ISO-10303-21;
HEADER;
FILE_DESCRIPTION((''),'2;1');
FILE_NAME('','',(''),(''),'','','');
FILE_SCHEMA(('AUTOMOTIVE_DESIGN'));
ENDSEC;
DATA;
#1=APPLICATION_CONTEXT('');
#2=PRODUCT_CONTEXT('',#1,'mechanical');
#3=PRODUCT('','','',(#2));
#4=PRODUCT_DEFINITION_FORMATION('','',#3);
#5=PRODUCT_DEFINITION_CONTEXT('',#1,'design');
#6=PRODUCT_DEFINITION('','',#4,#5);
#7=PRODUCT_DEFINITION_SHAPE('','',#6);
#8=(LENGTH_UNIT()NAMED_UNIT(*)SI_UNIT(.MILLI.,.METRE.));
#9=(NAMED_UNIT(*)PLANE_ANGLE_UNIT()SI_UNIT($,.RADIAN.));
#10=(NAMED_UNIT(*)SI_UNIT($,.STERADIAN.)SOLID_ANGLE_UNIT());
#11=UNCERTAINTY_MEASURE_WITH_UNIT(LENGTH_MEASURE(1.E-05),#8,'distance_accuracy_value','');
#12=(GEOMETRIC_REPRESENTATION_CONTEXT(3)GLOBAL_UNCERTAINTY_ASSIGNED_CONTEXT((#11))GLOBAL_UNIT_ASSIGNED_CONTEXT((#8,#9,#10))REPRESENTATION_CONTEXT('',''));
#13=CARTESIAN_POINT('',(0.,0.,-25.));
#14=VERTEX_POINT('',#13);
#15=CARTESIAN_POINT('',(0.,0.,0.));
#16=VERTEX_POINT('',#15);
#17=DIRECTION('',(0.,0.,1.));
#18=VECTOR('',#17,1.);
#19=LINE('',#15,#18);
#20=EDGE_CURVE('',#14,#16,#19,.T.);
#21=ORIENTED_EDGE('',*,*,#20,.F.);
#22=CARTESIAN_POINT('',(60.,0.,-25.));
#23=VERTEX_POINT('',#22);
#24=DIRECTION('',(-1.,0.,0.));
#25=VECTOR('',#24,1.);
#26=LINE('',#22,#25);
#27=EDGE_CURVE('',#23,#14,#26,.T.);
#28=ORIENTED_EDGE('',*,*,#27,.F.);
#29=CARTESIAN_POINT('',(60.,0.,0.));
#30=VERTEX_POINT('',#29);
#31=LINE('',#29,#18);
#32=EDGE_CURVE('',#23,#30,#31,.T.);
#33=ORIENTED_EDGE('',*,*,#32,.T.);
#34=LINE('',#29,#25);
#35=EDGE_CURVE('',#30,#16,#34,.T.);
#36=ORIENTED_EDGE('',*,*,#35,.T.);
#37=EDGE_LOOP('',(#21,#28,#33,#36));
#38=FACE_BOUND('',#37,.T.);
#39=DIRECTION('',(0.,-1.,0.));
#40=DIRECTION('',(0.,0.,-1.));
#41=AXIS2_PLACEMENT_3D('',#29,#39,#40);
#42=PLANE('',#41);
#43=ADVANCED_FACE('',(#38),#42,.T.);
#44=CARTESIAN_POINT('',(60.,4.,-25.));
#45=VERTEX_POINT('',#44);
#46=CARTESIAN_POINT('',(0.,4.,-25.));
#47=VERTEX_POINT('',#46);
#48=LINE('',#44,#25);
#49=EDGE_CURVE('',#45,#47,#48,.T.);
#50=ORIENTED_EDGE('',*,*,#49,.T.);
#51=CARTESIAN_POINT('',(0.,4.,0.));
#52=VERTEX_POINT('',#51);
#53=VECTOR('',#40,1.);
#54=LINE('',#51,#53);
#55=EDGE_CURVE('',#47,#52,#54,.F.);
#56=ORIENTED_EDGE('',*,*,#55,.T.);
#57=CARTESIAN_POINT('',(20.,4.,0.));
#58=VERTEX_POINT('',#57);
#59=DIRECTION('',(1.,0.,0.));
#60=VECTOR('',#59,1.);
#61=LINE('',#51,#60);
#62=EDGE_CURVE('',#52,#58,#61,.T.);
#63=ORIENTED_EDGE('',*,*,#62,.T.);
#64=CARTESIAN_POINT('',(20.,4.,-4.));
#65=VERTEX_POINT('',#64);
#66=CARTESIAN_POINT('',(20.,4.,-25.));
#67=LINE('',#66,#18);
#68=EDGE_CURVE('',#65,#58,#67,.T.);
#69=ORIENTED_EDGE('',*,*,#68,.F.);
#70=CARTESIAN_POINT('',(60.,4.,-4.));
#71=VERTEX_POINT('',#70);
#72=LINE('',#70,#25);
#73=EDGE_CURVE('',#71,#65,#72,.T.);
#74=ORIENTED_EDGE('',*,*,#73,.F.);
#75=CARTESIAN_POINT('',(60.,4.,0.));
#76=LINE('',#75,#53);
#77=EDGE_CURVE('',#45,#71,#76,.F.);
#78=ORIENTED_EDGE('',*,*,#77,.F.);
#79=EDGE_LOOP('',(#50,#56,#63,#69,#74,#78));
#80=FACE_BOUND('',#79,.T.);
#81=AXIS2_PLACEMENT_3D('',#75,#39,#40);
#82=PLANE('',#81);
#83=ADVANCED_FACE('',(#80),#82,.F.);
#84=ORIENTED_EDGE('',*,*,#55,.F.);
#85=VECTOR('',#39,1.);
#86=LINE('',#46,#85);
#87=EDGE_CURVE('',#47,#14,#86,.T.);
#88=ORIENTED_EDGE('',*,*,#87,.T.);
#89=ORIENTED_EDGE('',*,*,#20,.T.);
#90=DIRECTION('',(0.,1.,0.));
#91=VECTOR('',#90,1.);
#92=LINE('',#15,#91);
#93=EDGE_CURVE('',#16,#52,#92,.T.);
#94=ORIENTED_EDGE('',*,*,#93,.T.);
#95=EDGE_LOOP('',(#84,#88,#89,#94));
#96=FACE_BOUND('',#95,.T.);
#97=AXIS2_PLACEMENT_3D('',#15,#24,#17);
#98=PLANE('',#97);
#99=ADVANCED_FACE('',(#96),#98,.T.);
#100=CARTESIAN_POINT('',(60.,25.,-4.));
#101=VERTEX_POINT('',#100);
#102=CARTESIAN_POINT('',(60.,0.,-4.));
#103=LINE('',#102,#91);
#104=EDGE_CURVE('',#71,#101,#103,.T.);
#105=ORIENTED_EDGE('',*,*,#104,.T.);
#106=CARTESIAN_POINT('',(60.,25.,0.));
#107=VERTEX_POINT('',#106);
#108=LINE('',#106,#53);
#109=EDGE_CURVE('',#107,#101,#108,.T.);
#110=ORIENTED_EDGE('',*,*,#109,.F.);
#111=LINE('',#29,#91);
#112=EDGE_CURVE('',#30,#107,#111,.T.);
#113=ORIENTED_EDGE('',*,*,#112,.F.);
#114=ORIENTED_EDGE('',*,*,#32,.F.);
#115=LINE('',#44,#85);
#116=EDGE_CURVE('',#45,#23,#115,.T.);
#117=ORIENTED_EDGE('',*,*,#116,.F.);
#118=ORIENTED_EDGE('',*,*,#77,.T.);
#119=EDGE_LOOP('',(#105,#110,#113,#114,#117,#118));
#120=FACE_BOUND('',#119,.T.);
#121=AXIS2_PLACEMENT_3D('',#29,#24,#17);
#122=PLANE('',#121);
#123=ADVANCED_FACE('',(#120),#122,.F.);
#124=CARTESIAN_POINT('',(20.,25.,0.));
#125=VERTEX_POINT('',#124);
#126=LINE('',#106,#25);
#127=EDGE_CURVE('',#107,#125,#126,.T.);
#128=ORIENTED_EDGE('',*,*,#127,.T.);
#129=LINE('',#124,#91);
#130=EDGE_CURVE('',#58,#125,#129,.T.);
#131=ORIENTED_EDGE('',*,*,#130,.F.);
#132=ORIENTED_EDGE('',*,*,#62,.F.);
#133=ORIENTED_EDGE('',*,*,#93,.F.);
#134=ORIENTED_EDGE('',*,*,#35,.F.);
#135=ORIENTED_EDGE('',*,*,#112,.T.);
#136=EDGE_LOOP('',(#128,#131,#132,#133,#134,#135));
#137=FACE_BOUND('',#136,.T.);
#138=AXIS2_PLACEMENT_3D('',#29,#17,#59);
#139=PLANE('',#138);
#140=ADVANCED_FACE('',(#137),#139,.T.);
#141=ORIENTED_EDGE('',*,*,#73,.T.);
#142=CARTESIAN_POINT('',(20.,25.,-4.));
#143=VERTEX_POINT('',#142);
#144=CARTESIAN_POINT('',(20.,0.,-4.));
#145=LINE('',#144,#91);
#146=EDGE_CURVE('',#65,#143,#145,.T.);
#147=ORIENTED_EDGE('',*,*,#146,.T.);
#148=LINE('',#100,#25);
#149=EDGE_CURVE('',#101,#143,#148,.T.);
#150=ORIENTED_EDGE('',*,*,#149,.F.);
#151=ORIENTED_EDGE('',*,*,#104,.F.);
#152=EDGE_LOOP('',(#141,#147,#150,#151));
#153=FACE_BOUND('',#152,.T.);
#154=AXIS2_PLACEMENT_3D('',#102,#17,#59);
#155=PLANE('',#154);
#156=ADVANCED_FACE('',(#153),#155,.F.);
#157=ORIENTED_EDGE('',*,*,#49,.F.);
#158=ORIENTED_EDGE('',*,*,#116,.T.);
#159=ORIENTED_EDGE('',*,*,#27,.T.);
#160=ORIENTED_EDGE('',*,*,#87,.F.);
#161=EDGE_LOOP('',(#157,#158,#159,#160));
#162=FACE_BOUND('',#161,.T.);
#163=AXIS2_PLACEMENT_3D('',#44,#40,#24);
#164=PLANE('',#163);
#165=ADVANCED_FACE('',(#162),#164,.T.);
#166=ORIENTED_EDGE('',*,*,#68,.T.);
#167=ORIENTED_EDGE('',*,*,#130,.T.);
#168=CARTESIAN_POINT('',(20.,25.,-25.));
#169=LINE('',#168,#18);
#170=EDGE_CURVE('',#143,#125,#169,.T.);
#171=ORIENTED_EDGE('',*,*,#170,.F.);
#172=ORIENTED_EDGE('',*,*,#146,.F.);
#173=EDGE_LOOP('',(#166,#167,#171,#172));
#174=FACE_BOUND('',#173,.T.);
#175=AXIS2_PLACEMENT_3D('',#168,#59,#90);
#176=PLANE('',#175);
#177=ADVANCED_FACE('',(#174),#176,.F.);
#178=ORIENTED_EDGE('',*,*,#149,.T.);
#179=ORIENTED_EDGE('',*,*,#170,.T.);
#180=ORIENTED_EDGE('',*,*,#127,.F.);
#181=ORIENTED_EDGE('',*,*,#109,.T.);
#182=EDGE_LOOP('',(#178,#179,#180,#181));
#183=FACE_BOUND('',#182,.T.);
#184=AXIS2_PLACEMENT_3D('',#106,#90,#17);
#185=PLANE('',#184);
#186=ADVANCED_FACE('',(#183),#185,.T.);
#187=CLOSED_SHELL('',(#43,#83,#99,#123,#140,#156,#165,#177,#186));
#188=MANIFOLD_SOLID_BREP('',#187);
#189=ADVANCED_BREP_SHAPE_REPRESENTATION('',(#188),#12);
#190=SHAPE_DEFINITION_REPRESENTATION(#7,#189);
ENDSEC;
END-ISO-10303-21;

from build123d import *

# Parameters (mm, degrees)
EXTRUDE_1_DEPTH     = 60
SKETCH_2_W          = 20
SKETCH_2_H          = 21
CUT_EXTRUDE_1_DEPTH = 26


with BuildPart() as part:
    # Эскиз1 → Вытянуть-Тонкостенный1 (new body)
    with BuildSketch(Plane(origin=(0, 0, 0), x_dir=(0, 0, -1), z_dir=(1, 0, 0))):
        Polygon((0, 25), (0, 0), (25, 0), (25, 4), (4, 4), (4, 25), align=None)
    extrude(amount=EXTRUDE_1_DEPTH)

    # Эскиз2 → Вырез-Вытянуть1 (cut, through all)
    with BuildSketch(Plane.XY):
        with Locations((10, 14.5)):
            Rectangle(SKETCH_2_W, SKETCH_2_H)
    extrude(amount=-CUT_EXTRUDE_1_DEPTH, mode=Mode.SUBTRACT)


solid = part.part
